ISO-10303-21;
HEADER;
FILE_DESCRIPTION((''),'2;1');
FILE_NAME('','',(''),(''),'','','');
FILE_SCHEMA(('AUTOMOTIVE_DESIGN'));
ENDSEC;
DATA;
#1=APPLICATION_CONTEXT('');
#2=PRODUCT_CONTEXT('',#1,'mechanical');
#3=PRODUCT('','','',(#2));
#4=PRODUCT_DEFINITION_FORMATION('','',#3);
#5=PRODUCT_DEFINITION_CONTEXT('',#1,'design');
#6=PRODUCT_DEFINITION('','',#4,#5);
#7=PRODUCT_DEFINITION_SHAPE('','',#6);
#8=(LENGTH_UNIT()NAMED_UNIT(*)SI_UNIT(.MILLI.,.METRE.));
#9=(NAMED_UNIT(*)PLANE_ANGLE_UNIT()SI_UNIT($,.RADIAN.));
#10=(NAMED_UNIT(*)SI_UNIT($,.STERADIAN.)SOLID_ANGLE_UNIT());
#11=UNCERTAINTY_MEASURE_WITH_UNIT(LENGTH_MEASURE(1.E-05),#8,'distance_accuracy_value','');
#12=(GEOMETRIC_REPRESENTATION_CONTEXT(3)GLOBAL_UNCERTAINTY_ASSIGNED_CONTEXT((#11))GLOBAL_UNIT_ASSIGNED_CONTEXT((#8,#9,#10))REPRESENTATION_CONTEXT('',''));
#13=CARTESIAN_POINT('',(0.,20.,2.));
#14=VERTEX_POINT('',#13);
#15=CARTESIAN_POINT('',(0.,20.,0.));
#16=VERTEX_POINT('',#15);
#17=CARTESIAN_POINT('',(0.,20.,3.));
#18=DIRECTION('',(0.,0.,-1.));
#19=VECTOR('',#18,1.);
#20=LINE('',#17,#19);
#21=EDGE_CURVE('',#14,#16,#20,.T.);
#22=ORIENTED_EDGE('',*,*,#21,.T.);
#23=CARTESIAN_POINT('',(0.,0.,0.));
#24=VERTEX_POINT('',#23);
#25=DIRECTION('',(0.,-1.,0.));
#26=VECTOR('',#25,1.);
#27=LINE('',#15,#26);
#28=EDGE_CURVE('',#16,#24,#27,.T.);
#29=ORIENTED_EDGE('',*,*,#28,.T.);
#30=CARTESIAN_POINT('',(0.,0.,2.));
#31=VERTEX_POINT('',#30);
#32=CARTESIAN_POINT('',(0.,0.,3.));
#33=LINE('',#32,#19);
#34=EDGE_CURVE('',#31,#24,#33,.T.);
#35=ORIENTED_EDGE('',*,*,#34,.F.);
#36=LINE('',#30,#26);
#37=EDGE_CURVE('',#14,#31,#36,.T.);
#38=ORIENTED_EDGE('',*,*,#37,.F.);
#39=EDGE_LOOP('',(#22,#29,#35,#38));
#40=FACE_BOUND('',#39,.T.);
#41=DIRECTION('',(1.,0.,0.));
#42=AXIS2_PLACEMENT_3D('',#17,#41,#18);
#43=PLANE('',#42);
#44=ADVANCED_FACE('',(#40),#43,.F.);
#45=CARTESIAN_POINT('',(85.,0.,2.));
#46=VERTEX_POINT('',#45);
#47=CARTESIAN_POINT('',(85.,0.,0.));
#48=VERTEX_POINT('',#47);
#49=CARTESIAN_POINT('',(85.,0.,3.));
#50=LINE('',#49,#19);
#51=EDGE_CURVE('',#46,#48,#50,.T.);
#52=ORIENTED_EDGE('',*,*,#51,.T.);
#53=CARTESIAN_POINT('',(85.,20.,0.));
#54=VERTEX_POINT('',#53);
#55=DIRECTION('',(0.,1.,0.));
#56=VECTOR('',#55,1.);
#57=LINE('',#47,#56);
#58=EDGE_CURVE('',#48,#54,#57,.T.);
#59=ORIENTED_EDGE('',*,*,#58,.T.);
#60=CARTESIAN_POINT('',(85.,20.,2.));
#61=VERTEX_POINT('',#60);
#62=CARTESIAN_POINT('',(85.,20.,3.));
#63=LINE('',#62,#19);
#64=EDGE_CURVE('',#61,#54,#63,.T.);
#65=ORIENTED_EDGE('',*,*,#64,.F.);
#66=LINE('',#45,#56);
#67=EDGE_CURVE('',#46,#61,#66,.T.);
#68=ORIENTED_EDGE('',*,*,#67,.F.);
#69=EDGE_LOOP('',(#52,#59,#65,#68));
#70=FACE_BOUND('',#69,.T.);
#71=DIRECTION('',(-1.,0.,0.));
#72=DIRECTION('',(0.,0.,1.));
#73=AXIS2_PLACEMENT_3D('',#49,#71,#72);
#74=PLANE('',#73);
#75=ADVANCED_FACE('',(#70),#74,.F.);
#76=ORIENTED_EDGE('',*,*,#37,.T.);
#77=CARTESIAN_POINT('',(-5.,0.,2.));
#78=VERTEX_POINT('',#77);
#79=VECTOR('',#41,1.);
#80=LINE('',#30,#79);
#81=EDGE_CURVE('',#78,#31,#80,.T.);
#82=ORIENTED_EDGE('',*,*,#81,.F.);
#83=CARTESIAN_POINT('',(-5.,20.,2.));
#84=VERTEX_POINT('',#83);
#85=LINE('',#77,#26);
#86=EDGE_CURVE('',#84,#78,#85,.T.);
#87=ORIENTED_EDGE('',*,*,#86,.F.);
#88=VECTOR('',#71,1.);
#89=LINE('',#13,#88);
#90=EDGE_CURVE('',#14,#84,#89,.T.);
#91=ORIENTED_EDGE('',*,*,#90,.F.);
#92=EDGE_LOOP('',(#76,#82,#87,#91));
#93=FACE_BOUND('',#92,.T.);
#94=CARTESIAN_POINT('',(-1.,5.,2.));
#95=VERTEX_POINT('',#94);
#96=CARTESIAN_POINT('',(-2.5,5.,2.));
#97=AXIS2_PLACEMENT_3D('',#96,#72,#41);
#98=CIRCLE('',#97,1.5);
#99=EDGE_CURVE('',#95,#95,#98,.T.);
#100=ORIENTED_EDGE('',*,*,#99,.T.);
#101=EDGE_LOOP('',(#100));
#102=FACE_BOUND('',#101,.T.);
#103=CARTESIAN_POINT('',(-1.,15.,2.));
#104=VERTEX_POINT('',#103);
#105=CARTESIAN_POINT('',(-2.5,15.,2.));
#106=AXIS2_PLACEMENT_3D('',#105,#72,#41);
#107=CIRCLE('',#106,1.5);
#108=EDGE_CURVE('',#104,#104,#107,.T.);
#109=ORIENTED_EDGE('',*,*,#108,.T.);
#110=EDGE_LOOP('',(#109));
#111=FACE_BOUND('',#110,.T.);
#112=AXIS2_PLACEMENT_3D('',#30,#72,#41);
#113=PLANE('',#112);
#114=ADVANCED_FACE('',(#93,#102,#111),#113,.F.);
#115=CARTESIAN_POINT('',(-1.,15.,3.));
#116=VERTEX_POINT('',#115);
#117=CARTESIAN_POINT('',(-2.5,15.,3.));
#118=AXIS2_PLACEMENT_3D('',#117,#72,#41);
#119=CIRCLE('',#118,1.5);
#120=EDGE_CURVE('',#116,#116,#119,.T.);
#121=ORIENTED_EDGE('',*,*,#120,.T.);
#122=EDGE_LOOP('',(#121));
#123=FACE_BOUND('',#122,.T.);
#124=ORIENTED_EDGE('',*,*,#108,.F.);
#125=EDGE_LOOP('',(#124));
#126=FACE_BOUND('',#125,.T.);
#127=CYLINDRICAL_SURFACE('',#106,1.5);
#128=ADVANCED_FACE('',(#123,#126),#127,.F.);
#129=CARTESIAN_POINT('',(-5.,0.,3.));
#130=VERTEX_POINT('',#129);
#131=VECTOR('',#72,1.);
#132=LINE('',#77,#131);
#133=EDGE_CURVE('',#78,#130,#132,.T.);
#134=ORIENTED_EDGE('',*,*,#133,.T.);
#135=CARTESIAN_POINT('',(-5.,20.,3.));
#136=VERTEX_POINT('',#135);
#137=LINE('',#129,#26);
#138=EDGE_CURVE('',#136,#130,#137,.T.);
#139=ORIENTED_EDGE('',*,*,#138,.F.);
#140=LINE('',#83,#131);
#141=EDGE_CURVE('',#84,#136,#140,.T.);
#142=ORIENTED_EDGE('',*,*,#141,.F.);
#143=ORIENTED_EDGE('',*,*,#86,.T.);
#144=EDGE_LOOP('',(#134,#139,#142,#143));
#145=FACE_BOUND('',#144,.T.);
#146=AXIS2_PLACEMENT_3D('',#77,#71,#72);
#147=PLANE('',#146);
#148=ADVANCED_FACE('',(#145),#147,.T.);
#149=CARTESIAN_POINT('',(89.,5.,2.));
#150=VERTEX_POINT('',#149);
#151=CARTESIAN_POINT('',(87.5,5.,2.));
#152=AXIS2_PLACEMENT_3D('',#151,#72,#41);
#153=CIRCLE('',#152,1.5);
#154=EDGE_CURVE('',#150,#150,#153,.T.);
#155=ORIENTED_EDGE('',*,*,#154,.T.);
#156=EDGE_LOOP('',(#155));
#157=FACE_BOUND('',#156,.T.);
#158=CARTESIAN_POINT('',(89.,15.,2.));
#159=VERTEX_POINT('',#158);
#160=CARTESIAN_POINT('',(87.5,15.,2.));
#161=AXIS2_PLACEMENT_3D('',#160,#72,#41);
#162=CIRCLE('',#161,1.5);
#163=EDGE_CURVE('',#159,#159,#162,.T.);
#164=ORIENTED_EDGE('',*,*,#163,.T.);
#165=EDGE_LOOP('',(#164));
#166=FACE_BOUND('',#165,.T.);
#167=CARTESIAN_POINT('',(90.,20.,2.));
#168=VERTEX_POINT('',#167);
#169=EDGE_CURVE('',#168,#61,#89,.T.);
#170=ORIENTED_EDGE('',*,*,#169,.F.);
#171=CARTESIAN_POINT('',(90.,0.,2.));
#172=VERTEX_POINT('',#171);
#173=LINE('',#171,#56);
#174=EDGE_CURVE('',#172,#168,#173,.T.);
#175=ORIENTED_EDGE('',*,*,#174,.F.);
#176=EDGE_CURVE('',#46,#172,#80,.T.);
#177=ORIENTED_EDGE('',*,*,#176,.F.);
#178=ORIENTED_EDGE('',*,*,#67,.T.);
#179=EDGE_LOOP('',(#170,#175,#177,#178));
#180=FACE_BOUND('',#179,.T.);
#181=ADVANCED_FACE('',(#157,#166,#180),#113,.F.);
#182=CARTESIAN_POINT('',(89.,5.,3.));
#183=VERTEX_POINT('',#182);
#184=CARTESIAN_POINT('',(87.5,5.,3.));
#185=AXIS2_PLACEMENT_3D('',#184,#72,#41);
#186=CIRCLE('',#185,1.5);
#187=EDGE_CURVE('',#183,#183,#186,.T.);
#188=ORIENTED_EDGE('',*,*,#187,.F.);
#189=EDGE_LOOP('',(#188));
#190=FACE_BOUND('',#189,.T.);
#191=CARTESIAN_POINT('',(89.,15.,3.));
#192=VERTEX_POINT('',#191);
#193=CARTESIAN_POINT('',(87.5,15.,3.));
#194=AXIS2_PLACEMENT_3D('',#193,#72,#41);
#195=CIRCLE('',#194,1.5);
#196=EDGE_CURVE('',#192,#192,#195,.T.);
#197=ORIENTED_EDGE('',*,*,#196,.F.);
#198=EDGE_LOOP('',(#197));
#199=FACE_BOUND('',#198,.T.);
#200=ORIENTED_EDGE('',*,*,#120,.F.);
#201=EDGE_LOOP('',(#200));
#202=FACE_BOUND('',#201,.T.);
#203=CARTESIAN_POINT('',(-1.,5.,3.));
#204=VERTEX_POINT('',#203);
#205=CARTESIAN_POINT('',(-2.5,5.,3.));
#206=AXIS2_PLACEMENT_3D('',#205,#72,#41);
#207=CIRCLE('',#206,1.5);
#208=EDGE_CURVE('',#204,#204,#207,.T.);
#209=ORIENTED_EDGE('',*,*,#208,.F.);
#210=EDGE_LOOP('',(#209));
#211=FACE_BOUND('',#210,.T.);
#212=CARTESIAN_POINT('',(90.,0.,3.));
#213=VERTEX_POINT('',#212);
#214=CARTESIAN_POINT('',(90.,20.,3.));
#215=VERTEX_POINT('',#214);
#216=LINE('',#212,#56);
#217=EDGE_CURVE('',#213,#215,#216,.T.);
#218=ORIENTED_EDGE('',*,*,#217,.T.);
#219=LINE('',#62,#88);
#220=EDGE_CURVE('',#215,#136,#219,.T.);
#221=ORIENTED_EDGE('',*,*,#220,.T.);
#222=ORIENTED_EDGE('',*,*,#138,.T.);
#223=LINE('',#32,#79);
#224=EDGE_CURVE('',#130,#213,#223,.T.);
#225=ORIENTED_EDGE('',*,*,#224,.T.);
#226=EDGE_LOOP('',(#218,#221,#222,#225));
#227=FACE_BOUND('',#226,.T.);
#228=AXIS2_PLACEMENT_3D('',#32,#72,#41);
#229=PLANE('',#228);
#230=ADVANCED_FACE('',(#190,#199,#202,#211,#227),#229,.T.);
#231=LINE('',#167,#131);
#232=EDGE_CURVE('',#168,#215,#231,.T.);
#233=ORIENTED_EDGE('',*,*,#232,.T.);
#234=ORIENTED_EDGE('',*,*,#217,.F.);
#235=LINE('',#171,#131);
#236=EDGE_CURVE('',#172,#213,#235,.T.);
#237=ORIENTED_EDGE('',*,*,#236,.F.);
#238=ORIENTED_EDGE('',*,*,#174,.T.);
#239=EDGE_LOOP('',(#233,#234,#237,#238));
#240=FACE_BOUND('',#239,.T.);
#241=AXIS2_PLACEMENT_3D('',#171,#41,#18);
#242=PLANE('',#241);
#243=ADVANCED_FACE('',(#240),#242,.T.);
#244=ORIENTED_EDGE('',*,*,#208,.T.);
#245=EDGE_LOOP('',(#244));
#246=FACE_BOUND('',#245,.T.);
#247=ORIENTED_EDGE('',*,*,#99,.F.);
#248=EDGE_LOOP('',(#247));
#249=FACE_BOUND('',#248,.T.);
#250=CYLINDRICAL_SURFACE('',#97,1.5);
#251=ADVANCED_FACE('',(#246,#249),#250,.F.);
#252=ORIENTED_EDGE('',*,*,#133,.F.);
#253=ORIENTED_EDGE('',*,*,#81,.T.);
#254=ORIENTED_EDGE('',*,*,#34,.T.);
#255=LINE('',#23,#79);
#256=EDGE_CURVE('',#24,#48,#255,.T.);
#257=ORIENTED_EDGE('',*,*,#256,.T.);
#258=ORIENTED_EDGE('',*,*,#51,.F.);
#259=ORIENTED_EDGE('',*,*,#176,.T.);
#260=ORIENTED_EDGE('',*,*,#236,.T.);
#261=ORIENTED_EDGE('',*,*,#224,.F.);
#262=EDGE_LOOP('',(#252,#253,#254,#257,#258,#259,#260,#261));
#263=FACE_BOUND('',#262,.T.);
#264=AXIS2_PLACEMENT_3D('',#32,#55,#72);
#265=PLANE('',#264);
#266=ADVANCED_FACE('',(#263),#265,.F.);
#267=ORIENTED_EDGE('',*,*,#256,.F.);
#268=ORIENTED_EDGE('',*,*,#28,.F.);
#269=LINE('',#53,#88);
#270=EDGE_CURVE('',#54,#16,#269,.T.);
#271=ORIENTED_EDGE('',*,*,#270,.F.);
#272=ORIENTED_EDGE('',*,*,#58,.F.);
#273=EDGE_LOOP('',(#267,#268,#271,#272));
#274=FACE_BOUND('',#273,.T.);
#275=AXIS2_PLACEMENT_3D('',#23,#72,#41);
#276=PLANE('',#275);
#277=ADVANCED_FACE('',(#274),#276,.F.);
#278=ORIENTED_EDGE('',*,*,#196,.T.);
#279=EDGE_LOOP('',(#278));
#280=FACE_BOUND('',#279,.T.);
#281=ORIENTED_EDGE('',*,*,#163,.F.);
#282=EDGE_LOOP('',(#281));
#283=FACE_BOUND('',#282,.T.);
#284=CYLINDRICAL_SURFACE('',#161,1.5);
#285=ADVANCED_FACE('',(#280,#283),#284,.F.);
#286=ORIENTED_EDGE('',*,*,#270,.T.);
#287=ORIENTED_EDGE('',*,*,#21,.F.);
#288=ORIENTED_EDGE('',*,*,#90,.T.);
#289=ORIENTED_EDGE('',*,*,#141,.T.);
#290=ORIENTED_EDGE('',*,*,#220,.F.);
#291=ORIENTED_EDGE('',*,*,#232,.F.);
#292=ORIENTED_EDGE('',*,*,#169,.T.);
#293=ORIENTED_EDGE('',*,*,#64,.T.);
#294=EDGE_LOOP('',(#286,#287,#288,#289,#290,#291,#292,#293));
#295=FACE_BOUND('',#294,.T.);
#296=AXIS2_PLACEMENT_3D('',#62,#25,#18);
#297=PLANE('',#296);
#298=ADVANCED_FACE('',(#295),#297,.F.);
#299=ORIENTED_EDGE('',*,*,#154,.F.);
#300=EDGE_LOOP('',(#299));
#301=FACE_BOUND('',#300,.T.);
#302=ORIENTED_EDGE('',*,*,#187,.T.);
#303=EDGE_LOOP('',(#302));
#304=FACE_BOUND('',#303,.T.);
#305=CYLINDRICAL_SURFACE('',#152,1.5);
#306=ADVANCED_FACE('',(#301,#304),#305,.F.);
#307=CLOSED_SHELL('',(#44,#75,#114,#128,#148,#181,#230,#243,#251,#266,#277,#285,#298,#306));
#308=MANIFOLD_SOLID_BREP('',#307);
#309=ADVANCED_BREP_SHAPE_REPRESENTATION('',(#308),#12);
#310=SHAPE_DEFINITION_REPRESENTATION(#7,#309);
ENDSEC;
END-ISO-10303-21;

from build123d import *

# Parameters (mm, degrees)
SKETCH_1_W      = 85
SKETCH_1_H      = 20
EXTRUDE_1_DEPTH = 3
SKETCH_2_W      = 5
SKETCH_2_H      = 20
SKETCH_2_R      = 1.5
EXTRUDE_2_DEPTH = 1


with BuildPart() as part:
    # Эскиз1 → Выдавливание1 (new body)
    with BuildSketch(Plane.XY):
        with Locations((42.5, 10)):
            Rectangle(SKETCH_1_W, SKETCH_1_H)
    extrude(amount=EXTRUDE_1_DEPTH)

    # Эскиз2 → Выдавливание2 (add)
    # profile 1 of 2: a face of its own
    with BuildSketch(Plane.XY.offset(3)):
        with Locations((87.5, 10)):
            Rectangle(SKETCH_2_W, SKETCH_2_H)
        with Locations((87.5, 15)):
            Circle(SKETCH_2_R, mode=Mode.SUBTRACT)
        with Locations((87.5, 5)):
            Circle(SKETCH_2_R, mode=Mode.SUBTRACT)
    # profile 2 of 2: a face of its own
    with BuildSketch(Plane.XY.offset(3)):
        with Locations((-2.5, 10)):
            Rectangle(SKETCH_2_W, SKETCH_2_H)
        with Locations((-2.5, 15)):
            Circle(SKETCH_2_R, mode=Mode.SUBTRACT)
        with Locations((-2.5, 5)):
            Circle(SKETCH_2_R, mode=Mode.SUBTRACT)
    extrude(amount=-EXTRUDE_2_DEPTH)


solid = part.part
